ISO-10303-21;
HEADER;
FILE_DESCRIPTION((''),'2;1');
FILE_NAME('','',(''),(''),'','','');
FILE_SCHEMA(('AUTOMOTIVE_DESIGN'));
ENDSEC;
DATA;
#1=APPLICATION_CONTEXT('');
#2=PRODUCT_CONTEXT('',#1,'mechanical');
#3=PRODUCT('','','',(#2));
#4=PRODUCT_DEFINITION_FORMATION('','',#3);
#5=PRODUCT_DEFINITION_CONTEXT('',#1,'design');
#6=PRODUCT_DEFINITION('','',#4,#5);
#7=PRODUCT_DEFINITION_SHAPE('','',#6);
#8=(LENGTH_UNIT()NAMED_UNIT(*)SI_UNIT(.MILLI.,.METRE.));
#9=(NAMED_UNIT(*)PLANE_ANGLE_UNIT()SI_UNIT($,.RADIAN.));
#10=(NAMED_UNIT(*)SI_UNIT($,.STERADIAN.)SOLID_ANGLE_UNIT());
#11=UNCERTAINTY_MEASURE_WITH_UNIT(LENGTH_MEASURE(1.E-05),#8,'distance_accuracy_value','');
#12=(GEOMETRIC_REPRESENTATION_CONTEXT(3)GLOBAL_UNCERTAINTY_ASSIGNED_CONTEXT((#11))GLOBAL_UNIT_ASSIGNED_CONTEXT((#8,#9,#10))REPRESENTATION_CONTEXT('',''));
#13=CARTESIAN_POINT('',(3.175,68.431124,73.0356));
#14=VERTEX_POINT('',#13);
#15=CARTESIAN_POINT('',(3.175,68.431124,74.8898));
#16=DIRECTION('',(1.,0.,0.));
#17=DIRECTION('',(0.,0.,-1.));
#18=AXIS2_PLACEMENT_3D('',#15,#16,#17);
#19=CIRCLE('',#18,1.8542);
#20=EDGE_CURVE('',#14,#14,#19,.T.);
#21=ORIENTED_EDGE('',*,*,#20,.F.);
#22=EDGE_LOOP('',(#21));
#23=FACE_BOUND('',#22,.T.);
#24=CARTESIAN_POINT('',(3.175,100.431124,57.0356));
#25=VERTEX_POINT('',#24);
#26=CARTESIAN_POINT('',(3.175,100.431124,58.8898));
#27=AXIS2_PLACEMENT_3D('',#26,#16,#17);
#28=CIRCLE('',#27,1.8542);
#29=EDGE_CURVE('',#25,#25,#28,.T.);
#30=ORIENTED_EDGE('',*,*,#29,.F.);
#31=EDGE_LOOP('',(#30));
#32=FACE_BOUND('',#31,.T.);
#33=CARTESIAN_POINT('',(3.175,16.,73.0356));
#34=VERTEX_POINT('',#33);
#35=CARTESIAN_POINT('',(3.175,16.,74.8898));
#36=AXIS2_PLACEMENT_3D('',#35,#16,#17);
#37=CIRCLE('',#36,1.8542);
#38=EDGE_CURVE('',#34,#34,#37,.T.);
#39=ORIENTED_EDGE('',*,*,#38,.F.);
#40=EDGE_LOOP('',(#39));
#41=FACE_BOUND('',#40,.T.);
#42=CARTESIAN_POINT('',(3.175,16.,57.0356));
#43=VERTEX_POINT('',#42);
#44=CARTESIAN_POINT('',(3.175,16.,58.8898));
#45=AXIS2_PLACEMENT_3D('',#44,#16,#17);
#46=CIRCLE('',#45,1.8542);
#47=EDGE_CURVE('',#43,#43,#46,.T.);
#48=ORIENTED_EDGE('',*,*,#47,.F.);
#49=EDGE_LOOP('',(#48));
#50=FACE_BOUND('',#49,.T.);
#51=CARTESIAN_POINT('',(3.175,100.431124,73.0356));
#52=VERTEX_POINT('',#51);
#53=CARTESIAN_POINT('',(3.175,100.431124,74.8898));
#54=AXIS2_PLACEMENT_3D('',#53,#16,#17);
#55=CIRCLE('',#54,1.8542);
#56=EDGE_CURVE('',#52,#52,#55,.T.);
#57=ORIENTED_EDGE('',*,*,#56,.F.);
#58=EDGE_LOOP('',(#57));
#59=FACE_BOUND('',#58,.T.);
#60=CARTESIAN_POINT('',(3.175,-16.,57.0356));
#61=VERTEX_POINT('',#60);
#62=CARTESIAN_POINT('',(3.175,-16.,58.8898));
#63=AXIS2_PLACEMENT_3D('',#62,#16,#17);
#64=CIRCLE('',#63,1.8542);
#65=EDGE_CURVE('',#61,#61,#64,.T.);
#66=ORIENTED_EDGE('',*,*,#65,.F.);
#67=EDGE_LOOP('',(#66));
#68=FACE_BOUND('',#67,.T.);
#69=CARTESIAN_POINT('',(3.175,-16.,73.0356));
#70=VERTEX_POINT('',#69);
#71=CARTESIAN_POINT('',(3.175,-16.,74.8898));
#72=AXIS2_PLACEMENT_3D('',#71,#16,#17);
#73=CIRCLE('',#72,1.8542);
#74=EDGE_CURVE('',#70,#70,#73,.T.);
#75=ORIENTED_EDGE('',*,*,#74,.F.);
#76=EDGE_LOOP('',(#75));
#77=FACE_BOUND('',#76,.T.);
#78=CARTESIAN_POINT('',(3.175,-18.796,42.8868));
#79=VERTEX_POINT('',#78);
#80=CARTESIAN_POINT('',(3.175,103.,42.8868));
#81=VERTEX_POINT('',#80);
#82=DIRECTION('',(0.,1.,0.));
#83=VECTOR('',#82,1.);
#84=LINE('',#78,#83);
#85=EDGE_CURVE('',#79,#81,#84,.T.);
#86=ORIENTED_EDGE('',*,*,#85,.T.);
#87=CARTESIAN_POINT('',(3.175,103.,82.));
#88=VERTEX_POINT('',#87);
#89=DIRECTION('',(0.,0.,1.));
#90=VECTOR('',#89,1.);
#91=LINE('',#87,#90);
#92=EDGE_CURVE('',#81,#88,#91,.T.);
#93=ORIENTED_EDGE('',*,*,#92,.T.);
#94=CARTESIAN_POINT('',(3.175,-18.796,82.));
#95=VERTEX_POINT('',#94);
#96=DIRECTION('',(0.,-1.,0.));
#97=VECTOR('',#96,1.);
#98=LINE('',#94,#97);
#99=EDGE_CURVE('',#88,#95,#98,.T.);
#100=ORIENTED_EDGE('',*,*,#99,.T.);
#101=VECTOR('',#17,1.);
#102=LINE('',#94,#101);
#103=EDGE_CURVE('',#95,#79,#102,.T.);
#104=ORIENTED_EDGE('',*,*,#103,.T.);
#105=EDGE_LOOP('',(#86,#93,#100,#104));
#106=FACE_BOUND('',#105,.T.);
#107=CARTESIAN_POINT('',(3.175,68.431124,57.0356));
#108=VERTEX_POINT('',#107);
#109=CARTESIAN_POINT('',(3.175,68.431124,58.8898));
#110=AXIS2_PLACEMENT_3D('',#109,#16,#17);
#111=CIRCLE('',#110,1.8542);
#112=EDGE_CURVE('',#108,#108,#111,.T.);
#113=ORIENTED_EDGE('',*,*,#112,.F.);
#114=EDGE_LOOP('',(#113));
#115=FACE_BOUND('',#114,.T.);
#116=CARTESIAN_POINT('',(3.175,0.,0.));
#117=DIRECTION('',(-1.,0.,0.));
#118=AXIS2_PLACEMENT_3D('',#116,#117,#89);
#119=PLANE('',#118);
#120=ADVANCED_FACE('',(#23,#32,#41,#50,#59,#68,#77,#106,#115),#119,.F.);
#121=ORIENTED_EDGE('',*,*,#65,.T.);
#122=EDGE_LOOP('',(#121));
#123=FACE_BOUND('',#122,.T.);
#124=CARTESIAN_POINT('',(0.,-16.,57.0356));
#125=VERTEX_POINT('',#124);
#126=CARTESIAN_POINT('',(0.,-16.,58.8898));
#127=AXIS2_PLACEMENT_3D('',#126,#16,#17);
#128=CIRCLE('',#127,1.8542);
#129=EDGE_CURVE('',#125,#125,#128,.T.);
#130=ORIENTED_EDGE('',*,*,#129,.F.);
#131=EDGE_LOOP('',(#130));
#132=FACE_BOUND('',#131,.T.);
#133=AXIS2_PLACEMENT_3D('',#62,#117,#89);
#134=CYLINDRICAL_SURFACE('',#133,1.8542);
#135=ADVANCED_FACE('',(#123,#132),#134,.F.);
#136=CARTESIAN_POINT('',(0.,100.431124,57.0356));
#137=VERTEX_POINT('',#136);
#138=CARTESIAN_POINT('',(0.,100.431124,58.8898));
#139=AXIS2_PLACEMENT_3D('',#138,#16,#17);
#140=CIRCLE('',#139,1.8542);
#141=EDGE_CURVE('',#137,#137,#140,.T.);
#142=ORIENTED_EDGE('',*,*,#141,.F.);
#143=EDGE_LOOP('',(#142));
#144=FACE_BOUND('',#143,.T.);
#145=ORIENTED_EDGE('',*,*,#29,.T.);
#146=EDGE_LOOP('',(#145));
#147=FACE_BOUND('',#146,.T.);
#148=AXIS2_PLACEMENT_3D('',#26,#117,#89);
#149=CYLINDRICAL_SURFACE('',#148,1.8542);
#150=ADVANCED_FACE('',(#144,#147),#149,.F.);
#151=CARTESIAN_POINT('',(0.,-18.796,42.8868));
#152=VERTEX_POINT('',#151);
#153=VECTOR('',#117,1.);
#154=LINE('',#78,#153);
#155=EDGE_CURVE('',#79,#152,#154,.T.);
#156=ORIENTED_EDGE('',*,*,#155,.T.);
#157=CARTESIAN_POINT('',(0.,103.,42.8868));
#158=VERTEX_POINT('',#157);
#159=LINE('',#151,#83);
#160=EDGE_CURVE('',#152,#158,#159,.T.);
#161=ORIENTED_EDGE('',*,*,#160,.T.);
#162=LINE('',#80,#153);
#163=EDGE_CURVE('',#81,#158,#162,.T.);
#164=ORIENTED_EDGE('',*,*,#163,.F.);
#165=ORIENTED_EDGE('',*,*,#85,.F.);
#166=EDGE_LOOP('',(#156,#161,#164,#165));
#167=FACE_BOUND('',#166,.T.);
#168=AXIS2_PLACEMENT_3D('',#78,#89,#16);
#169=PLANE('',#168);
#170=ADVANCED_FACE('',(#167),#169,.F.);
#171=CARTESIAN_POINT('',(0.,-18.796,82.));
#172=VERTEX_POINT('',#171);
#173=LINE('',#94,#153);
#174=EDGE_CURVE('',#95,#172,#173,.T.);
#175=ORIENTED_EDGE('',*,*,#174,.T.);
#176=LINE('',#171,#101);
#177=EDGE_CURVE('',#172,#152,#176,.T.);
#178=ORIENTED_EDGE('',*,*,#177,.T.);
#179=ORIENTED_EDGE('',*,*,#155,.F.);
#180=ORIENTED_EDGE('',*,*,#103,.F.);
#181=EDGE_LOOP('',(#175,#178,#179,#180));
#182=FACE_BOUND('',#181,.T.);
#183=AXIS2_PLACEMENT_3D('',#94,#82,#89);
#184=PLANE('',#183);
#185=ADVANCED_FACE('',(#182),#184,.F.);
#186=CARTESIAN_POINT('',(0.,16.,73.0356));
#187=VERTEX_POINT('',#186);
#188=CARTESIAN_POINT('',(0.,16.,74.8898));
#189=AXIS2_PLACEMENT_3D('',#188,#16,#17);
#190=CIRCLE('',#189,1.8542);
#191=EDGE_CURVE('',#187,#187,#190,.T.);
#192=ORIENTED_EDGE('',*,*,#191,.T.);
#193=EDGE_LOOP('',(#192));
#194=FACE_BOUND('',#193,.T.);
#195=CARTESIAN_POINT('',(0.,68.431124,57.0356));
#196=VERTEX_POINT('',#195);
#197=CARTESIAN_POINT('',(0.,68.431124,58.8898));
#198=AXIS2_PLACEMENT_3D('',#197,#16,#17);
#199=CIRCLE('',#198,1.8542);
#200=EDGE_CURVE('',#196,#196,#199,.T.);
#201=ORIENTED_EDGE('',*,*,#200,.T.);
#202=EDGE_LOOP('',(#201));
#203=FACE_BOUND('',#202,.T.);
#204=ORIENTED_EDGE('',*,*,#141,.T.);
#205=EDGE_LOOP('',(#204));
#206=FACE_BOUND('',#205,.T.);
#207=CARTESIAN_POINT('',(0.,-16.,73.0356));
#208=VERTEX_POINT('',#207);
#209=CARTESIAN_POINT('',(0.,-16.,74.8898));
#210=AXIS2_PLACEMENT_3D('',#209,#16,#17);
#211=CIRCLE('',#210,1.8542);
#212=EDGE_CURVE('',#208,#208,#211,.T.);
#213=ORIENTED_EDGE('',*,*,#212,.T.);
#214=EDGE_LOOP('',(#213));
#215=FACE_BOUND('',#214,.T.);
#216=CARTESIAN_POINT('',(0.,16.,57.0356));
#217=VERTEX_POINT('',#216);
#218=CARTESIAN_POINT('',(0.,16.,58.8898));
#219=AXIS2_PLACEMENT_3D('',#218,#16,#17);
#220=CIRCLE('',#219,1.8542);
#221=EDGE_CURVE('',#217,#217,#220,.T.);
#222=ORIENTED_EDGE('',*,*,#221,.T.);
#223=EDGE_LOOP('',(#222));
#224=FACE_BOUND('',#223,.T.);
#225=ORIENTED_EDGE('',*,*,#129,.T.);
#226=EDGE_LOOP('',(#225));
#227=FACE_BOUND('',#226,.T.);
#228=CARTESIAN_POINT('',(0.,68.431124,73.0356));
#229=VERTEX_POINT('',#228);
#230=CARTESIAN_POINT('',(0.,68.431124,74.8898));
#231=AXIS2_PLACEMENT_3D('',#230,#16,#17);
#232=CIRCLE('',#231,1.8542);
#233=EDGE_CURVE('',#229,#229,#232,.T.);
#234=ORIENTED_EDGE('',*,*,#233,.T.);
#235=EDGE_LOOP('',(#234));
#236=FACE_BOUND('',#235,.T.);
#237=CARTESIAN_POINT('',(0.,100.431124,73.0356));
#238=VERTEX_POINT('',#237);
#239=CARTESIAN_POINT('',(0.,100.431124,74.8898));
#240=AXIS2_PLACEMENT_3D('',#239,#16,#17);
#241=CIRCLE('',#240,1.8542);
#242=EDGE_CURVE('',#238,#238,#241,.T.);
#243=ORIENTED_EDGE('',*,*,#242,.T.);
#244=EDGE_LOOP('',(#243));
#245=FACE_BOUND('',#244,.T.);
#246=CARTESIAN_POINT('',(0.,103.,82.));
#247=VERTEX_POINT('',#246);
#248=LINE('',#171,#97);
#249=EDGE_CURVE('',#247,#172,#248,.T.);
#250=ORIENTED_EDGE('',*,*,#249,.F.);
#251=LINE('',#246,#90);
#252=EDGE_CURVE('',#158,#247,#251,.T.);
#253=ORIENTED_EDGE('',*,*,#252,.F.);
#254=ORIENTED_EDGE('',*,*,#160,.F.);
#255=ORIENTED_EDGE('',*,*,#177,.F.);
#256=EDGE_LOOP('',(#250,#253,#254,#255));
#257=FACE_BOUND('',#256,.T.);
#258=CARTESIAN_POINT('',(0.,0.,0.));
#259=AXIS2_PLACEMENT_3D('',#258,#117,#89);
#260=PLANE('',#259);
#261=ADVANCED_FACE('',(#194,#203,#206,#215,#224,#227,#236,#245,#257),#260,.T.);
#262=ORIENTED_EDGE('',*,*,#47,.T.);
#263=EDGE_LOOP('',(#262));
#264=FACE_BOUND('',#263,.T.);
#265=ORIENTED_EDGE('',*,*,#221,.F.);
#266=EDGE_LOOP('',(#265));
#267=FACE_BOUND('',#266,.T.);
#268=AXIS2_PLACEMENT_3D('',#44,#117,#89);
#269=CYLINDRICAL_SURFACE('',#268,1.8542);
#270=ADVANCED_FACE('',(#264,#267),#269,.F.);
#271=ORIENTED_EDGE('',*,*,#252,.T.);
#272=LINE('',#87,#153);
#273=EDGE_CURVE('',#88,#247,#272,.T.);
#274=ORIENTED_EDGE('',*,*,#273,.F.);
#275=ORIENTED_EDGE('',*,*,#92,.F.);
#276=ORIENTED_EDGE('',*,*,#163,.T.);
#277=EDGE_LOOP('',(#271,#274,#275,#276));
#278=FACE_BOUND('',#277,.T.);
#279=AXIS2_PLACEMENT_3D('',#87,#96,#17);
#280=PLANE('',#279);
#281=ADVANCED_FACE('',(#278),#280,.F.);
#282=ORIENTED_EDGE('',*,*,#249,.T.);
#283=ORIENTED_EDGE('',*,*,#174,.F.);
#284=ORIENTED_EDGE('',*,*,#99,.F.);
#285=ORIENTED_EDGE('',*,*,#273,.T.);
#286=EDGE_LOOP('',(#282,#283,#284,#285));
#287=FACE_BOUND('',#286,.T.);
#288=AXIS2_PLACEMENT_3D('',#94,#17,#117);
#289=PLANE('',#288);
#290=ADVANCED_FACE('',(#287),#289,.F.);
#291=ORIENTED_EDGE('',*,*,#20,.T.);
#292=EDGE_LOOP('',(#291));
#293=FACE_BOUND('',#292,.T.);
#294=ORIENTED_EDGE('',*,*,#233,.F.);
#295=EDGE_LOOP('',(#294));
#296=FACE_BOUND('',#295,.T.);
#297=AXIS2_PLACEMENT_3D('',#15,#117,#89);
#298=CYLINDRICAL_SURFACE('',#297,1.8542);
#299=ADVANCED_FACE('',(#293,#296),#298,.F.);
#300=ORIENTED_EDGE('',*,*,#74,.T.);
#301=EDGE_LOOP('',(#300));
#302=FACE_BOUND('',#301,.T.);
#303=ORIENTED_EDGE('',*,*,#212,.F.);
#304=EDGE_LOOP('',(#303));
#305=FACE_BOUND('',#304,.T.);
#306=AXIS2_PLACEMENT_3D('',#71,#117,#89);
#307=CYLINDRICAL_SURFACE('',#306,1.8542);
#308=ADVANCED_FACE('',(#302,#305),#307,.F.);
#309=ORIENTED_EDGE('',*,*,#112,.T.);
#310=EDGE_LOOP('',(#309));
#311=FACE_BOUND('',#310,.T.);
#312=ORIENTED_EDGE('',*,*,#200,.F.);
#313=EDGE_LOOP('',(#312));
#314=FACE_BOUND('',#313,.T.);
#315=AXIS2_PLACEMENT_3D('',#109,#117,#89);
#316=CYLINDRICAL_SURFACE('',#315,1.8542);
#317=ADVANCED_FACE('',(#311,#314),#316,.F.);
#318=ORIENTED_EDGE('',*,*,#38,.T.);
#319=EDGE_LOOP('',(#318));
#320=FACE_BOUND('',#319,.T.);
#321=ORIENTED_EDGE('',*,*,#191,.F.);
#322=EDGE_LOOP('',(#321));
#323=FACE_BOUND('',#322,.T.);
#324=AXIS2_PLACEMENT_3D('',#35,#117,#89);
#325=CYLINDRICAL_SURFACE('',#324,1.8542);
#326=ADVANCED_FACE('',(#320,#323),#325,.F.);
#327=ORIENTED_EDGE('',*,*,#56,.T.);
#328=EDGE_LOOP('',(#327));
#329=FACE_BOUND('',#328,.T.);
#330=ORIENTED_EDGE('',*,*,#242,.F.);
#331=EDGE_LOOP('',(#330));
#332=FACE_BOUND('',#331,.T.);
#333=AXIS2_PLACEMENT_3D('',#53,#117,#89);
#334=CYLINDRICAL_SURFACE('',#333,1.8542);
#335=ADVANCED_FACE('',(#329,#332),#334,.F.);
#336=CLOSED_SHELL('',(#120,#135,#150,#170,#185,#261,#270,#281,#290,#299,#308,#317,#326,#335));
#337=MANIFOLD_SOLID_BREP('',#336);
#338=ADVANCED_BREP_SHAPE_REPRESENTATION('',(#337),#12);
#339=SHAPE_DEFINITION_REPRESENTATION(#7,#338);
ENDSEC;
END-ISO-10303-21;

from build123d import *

# Parameters (mm, degrees)
SKETCH1_W           = 39.1132
SKETCH1_H           = 121.796
SKETCH1_R           = 1.8542
BOSS_EXTRUDE1_DEPTH = 3.175


with BuildPart() as part:
    # Sketch1 → Boss-Extrude1 (new body)
    with BuildSketch(Plane(origin=(0, 0, 0), x_dir=(0, 0, -1), z_dir=(1, 0, 0))):
        with Locations((-62.4434, 42.102)):
            Rectangle(SKETCH1_W, SKETCH1_H)
        with Locations((-74.8898, -16.000000004)):
            Circle(SKETCH1_R, mode=Mode.SUBTRACT)
        with Locations((-58.8898, -16.000000004)):
            Circle(SKETCH1_R, mode=Mode.SUBTRACT)
        with Locations((-74.8898, 16.000000004)):
            Circle(SKETCH1_R, mode=Mode.SUBTRACT)
        with Locations((-58.8898, 16.000000004)):
            Circle(SKETCH1_R, mode=Mode.SUBTRACT)
        with Locations((-74.8898, 100.431124449)):
            Circle(SKETCH1_R, mode=Mode.SUBTRACT)
        with Locations((-58.8898, 100.431124449)):
            Circle(SKETCH1_R, mode=Mode.SUBTRACT)
        with Locations((-74.8898, 68.431124441)):
            Circle(SKETCH1_R, mode=Mode.SUBTRACT)
        with Locations((-58.8898, 68.431124441)):
            Circle(SKETCH1_R, mode=Mode.SUBTRACT)
    extrude(amount=BOSS_EXTRUDE1_DEPTH)


solid = part.part
